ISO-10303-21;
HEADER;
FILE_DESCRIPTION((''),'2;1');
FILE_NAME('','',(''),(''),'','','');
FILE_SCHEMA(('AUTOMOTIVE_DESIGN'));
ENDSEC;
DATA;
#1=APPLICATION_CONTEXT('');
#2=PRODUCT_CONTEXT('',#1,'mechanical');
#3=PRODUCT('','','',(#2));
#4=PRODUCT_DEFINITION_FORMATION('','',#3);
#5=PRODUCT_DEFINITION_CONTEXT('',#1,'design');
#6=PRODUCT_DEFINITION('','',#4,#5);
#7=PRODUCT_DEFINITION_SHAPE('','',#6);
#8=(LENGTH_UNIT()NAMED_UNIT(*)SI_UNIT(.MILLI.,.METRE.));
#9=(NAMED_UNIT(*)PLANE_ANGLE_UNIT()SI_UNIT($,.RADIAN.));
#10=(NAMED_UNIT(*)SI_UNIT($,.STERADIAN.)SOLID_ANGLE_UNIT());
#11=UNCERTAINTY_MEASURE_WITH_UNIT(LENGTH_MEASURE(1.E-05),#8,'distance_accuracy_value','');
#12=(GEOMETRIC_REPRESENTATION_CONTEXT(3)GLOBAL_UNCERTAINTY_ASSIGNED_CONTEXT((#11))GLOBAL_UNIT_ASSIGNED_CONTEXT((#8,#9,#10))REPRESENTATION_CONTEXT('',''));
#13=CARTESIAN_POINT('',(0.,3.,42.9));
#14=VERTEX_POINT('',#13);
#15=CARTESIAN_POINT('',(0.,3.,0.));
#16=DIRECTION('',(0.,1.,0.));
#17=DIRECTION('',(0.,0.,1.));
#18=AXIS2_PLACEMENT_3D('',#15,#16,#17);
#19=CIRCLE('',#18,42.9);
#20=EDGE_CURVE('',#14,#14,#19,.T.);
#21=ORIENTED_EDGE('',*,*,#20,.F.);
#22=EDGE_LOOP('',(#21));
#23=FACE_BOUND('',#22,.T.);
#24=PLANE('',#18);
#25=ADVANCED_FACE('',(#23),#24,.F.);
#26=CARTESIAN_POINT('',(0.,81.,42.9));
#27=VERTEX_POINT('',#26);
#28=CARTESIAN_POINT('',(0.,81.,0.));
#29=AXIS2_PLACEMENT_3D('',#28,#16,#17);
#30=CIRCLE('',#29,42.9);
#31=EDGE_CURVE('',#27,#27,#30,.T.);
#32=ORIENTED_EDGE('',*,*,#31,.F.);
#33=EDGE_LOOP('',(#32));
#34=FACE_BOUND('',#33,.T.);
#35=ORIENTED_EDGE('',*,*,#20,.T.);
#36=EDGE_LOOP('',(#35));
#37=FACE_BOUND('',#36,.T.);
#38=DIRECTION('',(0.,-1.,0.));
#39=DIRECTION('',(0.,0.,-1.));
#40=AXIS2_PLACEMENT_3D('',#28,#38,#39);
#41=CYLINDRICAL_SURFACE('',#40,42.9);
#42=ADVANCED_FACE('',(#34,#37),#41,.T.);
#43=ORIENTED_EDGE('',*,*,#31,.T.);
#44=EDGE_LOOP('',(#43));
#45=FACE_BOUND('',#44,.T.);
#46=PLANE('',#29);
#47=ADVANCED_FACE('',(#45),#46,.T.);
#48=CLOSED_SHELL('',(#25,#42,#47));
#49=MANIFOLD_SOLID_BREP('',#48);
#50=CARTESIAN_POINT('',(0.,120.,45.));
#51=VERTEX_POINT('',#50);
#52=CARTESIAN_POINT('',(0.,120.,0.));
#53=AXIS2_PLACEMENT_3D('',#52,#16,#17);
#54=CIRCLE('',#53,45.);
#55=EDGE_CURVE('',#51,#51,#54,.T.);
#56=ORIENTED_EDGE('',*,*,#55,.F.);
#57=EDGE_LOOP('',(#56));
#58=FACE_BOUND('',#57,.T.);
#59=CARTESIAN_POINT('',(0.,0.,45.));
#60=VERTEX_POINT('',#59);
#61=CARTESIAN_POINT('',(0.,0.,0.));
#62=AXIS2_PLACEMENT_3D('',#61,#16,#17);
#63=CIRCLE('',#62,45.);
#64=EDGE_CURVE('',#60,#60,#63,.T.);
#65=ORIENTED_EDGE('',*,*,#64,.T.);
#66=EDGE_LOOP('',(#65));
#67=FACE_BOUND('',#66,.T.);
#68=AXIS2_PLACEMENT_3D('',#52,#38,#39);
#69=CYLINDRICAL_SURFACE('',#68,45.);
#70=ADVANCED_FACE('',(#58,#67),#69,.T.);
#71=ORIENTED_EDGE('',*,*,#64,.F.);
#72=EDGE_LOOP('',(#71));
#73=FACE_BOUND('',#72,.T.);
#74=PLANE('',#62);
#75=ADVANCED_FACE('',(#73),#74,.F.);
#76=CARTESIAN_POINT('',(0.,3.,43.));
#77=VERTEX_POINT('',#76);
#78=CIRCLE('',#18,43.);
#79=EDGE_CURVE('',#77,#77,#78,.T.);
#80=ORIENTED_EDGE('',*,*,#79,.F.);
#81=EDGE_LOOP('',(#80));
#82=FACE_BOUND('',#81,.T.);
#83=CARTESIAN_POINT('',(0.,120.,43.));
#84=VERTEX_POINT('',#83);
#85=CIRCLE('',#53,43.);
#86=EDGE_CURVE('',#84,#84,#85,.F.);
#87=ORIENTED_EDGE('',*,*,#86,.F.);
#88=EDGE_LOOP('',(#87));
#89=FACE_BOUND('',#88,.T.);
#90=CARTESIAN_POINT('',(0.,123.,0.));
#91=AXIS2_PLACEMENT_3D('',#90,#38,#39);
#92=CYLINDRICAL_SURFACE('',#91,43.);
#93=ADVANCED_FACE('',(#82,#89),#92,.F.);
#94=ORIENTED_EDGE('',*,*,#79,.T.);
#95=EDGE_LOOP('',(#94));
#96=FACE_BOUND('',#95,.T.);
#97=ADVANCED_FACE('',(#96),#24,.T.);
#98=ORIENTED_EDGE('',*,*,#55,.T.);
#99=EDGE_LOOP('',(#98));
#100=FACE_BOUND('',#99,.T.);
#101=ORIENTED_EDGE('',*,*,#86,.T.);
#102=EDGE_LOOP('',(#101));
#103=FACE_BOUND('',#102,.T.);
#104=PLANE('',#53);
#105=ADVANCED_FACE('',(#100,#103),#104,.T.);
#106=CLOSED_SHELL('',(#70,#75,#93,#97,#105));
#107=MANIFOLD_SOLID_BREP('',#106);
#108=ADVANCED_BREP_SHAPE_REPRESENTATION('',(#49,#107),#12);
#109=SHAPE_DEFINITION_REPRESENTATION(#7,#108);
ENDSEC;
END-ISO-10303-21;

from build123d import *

# Parameters (mm, degrees)
SKETCH1_R          = 45
JAR_BODY_DEPTH     = 120
JAR_CAVITY_START   = 3
SKETCH2_R          = 43
JAR_CAVITY_DEPTH   = 120
WATER_VISUAL_START = 3
SKETCH3_R          = 42.9
WATER_VISUAL_DEPTH = 78


with BuildPart() as part:
    # Sketch1 → Jar_Body (new body)
    with BuildSketch(Plane(origin=(0, 0, 0), x_dir=(1, 0, 0), z_dir=(0, 1, 0))):
        with Locations(Location((0, 0, 0), (0, 0, 270))):
            Circle(SKETCH1_R)
    extrude(amount=JAR_BODY_DEPTH)

    # Sketch2 → Jar_Cavity (cut)
    with BuildSketch(Plane(origin=(0, 0, 0), x_dir=(1, 0, 0), z_dir=(0, 1, 0)).offset(JAR_CAVITY_START)):
        with Locations(Location((0, 0, 0), (0, 0, 270))):
            Circle(SKETCH2_R)
    extrude(amount=JAR_CAVITY_DEPTH, mode=Mode.SUBTRACT)


with BuildPart() as body_2:
    # Sketch3 → Water_Visual (new body)
    with BuildSketch(Plane(origin=(0, 0, 0), x_dir=(1, 0, 0), z_dir=(0, 1, 0)).offset(WATER_VISUAL_START)):
        with Locations(Location((0, 0, 0), (0, 0, 270))):
            Circle(SKETCH3_R)
    extrude(amount=WATER_VISUAL_DEPTH)


solid = Compound([part.part, body_2.part])
